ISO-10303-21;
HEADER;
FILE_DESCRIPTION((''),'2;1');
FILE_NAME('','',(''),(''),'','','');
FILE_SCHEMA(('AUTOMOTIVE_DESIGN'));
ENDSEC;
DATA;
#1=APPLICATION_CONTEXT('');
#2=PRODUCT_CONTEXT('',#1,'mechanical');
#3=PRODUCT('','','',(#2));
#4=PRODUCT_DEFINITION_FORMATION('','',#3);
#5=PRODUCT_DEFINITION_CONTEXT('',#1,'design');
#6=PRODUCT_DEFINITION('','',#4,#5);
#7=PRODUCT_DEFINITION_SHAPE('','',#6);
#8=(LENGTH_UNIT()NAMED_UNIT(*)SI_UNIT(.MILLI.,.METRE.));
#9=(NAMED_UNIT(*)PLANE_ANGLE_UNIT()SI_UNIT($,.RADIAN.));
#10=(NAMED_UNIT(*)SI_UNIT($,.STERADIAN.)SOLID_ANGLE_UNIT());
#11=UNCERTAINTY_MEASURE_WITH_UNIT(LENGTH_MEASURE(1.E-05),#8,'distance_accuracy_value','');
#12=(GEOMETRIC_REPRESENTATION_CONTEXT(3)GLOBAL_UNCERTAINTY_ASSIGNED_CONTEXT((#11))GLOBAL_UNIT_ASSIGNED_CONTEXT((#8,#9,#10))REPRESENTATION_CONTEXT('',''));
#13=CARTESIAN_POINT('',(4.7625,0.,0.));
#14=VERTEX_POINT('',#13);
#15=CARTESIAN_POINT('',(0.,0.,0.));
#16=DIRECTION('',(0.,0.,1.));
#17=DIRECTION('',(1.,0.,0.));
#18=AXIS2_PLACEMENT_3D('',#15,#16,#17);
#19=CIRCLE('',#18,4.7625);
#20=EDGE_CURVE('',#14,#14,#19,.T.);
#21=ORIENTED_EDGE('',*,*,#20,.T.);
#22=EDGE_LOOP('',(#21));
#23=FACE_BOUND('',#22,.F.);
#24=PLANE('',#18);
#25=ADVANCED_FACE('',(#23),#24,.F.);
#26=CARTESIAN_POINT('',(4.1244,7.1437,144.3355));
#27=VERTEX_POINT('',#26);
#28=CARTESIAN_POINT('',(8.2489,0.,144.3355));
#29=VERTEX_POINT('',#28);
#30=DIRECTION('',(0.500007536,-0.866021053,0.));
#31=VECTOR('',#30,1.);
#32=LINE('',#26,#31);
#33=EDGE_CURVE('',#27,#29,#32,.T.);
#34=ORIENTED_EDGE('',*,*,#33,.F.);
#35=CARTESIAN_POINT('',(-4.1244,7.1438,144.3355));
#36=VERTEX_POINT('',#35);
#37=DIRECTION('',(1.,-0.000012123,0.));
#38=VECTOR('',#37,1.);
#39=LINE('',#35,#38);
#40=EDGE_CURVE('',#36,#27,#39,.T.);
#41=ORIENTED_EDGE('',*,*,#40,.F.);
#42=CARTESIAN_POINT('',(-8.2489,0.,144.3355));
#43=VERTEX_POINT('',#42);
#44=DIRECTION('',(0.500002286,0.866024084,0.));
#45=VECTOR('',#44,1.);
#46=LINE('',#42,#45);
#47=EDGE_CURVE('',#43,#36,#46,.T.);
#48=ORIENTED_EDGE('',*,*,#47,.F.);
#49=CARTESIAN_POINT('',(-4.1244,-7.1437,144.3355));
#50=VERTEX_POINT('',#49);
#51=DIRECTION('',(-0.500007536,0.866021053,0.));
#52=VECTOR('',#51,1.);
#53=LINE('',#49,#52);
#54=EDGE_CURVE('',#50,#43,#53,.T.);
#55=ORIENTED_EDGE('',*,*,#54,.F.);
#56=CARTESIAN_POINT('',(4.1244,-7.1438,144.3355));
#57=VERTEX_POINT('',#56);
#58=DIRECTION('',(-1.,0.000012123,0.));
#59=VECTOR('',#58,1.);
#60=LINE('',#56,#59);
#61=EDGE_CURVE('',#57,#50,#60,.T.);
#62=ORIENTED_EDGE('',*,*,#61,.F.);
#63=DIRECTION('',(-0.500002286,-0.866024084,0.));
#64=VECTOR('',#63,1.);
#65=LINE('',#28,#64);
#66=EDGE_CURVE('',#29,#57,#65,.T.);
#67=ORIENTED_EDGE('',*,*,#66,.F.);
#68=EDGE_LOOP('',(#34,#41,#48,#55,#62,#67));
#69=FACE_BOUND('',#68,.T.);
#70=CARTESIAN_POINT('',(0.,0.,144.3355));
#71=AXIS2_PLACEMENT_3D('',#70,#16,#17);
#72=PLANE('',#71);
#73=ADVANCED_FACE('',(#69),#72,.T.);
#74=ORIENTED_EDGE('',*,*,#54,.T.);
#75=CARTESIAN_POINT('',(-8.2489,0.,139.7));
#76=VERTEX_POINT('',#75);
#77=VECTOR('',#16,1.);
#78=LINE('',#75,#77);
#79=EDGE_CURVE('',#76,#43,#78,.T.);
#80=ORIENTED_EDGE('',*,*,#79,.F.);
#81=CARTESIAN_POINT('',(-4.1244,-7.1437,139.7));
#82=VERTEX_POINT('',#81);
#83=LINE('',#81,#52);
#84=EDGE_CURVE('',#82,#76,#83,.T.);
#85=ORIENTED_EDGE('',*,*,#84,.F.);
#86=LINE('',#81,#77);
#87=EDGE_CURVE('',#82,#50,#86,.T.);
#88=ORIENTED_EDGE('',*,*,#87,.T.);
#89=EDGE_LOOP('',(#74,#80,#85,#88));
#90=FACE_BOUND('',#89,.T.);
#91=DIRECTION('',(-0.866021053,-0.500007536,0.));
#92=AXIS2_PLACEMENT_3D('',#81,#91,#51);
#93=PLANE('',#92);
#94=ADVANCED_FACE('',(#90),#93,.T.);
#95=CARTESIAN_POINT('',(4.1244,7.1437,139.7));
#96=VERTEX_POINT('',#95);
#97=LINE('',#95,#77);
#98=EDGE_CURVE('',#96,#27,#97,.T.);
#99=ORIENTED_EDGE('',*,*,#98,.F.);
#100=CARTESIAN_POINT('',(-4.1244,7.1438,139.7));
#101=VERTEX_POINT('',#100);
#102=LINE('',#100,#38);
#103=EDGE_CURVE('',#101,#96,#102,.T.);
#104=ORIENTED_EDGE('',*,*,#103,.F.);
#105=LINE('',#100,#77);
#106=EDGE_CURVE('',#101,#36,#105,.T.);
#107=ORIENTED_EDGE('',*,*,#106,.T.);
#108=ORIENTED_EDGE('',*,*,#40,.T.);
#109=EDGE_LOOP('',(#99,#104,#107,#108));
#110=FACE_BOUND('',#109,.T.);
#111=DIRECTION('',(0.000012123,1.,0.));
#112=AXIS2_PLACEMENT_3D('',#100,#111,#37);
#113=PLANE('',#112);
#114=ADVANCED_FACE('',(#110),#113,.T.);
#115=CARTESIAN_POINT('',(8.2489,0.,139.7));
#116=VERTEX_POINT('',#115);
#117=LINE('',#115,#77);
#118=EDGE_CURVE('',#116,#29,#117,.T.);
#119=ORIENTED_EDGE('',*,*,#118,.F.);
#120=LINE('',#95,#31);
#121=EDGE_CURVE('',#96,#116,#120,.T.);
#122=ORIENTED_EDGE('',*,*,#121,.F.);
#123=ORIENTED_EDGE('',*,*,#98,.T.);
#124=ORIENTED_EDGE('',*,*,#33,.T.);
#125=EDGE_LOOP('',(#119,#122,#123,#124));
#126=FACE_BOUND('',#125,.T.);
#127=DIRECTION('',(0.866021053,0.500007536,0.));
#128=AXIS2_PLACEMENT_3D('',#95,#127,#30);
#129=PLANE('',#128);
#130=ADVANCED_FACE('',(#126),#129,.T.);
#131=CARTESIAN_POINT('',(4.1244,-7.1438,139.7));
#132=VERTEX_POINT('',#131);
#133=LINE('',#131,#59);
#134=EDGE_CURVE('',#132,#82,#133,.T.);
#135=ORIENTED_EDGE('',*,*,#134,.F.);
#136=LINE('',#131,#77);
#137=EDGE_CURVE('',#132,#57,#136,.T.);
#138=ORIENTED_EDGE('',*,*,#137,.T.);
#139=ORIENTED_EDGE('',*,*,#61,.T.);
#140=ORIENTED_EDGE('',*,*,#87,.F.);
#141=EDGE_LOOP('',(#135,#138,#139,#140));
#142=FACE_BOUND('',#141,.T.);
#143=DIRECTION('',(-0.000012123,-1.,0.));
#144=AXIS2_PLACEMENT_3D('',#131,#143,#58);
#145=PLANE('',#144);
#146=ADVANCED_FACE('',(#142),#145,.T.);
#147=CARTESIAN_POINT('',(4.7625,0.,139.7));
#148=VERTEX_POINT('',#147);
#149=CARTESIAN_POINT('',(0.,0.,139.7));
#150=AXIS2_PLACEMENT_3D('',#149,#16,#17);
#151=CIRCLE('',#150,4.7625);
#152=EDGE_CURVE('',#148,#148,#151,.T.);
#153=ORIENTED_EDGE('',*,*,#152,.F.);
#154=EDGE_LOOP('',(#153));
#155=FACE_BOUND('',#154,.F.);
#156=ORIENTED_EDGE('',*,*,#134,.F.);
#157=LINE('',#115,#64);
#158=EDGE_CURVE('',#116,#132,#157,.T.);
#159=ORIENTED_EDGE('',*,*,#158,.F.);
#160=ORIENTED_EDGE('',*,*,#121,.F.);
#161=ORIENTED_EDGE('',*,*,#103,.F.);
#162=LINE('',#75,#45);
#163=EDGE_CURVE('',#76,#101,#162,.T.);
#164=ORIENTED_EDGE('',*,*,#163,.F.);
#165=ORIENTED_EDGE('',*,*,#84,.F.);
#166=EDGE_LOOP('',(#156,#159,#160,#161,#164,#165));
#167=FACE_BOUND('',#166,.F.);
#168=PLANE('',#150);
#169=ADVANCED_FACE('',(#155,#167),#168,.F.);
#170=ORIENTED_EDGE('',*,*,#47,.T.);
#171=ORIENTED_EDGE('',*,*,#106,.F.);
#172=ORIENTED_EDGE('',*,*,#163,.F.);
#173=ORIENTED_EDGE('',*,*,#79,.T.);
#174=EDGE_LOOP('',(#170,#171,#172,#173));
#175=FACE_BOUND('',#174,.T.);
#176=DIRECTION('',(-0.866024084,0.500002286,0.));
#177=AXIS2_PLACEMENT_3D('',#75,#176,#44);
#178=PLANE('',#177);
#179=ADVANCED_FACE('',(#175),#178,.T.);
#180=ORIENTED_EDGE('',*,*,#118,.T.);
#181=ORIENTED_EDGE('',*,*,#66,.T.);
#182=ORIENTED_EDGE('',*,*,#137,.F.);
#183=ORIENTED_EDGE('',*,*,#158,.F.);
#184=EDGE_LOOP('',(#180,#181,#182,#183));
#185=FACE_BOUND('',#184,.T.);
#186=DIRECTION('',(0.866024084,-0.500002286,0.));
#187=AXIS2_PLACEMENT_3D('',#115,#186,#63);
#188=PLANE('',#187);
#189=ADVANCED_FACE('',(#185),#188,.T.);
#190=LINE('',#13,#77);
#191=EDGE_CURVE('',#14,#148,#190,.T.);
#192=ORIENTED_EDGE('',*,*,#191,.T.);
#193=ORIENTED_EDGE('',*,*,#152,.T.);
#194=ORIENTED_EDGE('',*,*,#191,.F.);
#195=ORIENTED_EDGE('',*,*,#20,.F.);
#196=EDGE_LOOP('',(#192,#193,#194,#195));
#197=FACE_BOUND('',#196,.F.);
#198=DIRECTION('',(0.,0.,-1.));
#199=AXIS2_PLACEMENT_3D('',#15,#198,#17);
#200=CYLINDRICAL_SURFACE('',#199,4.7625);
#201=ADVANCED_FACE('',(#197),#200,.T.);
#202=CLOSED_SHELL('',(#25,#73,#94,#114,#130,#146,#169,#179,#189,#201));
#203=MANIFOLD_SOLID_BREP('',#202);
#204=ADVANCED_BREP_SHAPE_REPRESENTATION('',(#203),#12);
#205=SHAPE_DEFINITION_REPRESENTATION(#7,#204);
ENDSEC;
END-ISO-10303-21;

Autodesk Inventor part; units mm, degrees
ref_plane "YZ Plane" through (0, 0, 0) normal (1, 0, 0) x (0, 1, 0)
ref_plane "XZ Plane" through (0, 0, 0) normal (0, 1, 0) x (-1, 0, 0)
ref_plane "XY Plane" through (0, 0, 0) normal (0, 0, 1) x (1, 0, 0)
sketch "Sketch1" plane through (0, 0, 0) normal (0, 0, 1) x (1, 0, 0)
  circle A0 centre (0, 0) radius 4.7625
  dimension "d0" = 9.525
extrude "Extrusion1" add sketch "Sketch1" along normal blind 139.7
sketch "Sketch2" plane through (0, 0, 139.7) normal (0, 0, 1) x (1, 0, 0)
  circle A0 centre (0, 0) radius 4.7625 projected
  line L0 (0, 0) -> (0, 7.1437) construction
  line L1 (0, 0) -> (4.1244, 7.1437) construction
  line L2 (0, 0) -> (8.2489, 0) construction
  line L3 (4.1244, 7.1437) -> (-4.1244, 7.1437) construction
  line L4 (0, 0) -> (-4.1244, 7.1438) construction
  line L5 (-4.1244, 7.1438) -> (-8.2489, 0) construction
  line L6 (0, 0) -> (-8.2489, 0) construction
  line L7 (-8.2489, 0) -> (-4.1244, -7.1437) construction
  line L8 (0, 0) -> (-4.1244, -7.1437) construction
  line L9 (-4.1244, -7.1437) -> (4.1244, -7.1437) construction
  line L10 (0, 0) -> (4.1244, -7.1438) construction
  line L11 (4.1244, -7.1438) -> (8.2489, 0) construction
  line L12 (0, 0) -> (8.2489, 0) construction
  line L13 (8.2489, 0) -> (4.1244, 7.1437) construction
  line L14 (-4.1244, 7.1438) -> (4.1244, 7.1437)
  line L15 (4.1244, 7.1437) -> (8.2489, 0)
  line L16 (8.2489, 0) -> (4.1244, -7.1438)
  line L17 (4.1244, -7.1438) -> (-4.1244, -7.1437)
  line L18 (-4.1244, -7.1437) -> (-8.2489, 0)
  line L19 (-8.2489, 0) -> (-4.1244, 7.1438)
  dimension "d3" = 7.1437
  dimension "d4" = 60
  dimension "d7" = 360
extrude "Extrusion2" add sketch "Sketch2" along normal blind 4.6355 contours A0 | L14 L15 L16 L17 L18 L19
properties part number "dead_axle"
